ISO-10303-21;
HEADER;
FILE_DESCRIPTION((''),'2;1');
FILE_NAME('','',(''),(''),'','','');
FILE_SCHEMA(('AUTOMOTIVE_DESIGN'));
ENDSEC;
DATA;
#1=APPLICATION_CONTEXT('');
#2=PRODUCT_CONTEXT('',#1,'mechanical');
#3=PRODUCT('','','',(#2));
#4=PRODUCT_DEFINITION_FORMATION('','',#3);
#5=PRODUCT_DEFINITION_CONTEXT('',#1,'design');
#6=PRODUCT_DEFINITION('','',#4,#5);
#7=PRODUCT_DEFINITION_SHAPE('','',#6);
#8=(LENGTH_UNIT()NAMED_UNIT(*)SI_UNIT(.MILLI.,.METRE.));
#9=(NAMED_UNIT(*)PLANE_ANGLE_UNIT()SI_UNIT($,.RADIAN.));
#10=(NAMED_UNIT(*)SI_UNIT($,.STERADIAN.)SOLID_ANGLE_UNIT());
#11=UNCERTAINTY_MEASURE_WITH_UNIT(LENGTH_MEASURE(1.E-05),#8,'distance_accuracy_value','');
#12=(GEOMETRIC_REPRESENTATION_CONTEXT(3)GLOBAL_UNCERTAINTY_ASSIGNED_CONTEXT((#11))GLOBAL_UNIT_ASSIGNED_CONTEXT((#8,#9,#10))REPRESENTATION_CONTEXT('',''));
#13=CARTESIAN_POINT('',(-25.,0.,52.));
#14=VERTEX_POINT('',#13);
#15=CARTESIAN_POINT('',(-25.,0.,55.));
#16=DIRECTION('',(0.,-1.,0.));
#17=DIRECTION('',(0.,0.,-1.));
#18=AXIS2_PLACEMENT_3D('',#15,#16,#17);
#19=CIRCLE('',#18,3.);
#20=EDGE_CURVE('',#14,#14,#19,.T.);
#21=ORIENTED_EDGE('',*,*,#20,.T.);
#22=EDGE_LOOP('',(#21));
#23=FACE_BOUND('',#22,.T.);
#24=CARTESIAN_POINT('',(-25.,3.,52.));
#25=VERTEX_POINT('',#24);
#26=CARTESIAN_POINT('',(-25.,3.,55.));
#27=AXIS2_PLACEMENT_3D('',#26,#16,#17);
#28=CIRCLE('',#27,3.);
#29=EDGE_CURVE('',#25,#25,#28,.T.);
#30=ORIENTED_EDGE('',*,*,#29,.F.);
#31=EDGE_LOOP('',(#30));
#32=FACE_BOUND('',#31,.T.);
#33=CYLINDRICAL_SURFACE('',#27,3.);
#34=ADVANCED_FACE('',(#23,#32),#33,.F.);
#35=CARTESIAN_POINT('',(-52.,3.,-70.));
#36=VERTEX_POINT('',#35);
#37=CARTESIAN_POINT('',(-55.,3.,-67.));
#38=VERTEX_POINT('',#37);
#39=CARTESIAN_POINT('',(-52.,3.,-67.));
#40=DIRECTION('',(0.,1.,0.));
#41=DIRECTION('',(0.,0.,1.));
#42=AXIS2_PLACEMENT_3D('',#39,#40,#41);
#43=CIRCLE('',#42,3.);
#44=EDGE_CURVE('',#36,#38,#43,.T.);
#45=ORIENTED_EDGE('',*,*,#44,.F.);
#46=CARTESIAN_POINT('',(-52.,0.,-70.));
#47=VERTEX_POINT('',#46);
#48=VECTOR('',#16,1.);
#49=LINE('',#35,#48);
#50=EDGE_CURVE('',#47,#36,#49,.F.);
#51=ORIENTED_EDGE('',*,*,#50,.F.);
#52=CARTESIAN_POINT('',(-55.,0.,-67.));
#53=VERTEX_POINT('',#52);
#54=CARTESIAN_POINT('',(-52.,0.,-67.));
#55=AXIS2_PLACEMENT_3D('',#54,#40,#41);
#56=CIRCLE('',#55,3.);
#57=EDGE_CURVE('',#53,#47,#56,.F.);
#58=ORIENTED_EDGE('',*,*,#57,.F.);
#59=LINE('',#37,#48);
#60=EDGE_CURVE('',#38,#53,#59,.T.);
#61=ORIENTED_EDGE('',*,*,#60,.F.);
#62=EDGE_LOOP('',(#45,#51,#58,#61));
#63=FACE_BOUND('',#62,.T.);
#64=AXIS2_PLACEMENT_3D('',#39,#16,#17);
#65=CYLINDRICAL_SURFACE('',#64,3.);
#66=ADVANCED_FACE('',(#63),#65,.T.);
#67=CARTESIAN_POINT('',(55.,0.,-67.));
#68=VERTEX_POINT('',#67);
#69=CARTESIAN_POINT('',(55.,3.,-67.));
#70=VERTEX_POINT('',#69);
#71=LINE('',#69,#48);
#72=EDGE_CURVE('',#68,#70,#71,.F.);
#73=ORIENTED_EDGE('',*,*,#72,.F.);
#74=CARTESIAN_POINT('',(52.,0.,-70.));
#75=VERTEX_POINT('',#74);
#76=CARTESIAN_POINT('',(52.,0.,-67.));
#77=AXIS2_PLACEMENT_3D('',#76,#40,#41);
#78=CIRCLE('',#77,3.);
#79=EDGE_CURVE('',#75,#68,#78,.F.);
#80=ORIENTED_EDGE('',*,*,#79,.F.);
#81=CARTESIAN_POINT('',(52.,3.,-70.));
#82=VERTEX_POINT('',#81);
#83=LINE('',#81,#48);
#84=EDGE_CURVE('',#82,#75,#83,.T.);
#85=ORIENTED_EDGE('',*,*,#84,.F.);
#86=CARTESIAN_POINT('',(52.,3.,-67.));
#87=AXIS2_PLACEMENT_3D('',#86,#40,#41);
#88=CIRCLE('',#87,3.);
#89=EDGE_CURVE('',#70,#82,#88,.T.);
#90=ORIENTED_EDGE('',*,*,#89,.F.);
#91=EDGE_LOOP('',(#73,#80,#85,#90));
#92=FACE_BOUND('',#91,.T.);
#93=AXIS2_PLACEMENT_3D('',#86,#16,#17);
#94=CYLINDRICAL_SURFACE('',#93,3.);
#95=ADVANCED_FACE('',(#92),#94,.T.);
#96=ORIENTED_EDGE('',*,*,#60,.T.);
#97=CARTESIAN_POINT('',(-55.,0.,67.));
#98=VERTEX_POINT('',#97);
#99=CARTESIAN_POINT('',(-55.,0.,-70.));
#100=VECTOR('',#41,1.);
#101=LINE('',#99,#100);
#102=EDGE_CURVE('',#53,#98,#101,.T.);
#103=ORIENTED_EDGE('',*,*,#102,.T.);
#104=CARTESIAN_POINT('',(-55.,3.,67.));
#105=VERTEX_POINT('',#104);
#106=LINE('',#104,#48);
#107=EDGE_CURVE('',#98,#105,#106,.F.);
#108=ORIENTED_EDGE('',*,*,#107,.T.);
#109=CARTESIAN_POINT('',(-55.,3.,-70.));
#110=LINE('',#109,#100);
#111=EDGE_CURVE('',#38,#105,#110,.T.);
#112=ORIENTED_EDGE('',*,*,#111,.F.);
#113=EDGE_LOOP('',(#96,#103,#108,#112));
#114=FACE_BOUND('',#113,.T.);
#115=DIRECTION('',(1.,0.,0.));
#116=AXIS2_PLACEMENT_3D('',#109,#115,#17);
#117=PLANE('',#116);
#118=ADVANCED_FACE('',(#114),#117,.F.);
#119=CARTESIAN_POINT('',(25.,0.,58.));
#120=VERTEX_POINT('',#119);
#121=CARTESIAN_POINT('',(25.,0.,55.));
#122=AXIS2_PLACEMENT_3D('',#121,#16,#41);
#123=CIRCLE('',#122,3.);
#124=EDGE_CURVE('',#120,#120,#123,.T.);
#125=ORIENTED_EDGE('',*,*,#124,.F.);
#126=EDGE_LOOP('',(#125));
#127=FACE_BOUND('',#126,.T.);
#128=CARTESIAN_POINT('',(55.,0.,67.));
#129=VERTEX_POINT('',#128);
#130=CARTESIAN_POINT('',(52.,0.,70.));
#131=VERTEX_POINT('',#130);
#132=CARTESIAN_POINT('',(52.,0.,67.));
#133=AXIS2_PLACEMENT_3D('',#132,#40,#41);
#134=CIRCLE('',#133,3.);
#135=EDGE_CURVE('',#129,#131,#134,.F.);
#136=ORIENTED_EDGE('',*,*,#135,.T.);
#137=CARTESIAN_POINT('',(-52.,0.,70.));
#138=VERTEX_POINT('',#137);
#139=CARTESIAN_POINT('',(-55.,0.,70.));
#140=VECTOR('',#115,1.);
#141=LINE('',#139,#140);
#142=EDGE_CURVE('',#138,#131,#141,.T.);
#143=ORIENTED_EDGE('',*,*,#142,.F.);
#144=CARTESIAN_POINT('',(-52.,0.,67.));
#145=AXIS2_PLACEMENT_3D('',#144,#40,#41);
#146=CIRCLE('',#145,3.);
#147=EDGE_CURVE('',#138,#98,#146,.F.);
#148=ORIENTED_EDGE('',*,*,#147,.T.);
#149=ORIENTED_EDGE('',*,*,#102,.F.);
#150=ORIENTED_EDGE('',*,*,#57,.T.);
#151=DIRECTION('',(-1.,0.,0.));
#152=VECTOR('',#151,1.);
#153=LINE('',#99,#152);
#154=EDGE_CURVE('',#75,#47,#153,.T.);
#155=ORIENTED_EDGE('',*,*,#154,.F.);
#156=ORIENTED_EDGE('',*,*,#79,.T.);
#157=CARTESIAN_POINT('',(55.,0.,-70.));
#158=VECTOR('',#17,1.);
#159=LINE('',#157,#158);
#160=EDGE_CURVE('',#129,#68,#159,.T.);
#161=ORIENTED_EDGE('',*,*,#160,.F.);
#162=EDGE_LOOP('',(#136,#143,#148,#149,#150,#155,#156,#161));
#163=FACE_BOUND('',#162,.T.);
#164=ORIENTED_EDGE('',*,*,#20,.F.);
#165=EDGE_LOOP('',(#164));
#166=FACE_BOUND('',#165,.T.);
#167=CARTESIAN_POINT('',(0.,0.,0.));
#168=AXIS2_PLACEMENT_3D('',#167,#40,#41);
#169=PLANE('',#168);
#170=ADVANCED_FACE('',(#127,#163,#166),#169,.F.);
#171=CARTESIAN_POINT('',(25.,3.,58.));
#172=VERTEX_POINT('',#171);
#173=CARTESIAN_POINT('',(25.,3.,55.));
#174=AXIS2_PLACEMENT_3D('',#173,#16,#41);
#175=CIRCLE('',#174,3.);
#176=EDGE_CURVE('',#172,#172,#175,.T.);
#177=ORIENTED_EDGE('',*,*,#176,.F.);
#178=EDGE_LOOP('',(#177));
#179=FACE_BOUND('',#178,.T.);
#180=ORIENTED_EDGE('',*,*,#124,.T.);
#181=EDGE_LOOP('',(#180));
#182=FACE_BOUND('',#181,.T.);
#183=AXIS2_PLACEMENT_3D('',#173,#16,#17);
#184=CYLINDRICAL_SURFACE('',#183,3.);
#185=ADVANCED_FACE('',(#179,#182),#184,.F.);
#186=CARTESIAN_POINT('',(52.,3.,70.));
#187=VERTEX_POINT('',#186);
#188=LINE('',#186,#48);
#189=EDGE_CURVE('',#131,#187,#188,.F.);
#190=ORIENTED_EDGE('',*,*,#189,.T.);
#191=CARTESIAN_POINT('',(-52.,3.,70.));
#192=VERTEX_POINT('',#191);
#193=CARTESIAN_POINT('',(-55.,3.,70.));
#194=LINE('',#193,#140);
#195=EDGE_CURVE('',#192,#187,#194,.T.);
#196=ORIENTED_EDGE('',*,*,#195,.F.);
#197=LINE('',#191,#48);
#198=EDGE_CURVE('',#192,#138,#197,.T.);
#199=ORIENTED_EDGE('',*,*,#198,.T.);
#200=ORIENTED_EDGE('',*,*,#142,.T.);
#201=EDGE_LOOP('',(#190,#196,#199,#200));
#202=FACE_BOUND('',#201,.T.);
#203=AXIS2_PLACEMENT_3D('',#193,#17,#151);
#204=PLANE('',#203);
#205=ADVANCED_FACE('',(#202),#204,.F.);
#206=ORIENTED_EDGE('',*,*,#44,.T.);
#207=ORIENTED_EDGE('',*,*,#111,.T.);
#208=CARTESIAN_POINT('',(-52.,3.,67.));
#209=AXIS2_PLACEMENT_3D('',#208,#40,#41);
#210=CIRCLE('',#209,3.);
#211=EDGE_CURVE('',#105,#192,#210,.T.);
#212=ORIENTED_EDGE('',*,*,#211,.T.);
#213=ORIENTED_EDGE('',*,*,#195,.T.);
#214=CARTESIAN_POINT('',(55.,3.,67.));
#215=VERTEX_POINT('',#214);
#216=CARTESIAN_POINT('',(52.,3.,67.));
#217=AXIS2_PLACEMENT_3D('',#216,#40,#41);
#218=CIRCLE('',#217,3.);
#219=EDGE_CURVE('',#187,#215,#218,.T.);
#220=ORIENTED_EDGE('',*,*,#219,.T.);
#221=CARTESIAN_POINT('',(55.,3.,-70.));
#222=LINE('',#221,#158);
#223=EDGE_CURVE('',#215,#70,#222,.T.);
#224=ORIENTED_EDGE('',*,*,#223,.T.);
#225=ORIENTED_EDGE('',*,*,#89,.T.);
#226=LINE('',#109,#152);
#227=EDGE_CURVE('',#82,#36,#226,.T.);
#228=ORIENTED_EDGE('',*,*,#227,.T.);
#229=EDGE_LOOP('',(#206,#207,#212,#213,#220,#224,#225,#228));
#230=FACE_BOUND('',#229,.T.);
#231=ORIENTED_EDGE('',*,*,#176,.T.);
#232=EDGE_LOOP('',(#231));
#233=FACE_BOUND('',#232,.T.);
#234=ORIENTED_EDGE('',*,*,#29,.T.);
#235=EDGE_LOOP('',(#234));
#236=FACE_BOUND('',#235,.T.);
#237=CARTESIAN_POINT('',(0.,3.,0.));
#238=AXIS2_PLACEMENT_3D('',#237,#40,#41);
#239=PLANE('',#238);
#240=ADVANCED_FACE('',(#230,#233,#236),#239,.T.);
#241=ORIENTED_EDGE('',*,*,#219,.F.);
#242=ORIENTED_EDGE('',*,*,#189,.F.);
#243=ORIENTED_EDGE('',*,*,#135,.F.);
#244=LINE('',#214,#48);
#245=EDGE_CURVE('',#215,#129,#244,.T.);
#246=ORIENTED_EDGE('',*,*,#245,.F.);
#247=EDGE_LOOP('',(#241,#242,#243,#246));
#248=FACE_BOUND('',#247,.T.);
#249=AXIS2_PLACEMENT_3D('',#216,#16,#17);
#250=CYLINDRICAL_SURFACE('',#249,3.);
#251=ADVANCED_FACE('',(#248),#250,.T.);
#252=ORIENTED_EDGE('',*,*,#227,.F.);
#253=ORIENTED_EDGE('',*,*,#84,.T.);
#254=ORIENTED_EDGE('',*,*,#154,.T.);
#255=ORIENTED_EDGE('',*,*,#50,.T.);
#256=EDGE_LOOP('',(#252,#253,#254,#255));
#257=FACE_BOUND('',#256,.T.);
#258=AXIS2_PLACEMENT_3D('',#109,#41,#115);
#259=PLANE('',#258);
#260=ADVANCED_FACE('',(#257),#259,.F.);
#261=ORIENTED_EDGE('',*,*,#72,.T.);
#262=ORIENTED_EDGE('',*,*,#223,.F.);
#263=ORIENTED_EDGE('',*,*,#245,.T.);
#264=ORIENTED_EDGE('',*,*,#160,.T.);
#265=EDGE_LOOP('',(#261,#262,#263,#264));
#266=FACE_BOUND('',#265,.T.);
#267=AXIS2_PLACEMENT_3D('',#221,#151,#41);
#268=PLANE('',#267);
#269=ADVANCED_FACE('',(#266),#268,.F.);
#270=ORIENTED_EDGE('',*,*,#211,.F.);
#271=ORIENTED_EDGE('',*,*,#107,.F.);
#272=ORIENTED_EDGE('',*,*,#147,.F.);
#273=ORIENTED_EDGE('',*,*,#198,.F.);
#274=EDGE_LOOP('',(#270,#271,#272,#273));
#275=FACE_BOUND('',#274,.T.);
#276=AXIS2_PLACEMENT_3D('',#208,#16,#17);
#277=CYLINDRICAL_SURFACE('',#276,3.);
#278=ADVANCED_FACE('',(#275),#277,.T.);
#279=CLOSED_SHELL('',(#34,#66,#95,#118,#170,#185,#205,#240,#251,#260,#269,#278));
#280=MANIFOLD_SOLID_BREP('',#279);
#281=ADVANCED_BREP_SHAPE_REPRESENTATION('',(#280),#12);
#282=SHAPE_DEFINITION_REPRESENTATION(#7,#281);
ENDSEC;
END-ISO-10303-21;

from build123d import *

# Parameters (mm, degrees)
SKETCH_1_W          = 110
SKETCH_1_H          = 140
EXTRUDE_1_DEPTH     = 3
SKETCH_2_R          = 3
CUT_EXTRUDE_1_DEPTH = 3
FILLET_1_R          = 3


with BuildPart() as part:
    # 草图1 → 凸台-拉伸1 (new body)
    with BuildSketch(Plane(origin=(0, 0, 0), x_dir=(1, 0, 0), z_dir=(0, 1, 0))):
        Rectangle(SKETCH_1_W, SKETCH_1_H)
    extrude(amount=EXTRUDE_1_DEPTH)

    # 草图2 → 切除-拉伸1 (cut)
    with BuildSketch(Plane.XZ):
        with Locations(Location((-25, 55, 0), (0, 0, 270))):
            Circle(SKETCH_2_R)
        with Locations(Location((25, 55, 0), (0, 0, 90))):
            Circle(SKETCH_2_R)
    extrude(amount=-CUT_EXTRUDE_1_DEPTH, mode=Mode.SUBTRACT)

    # 圆角1
    fillet_1_edges = [part.edges().sort_by_distance(p)[0] for p in [
        (55, 1.5, 70),
        (-55, 1.5, 70),
        (-55, 1.5, -70),
        (55, 1.5, -70),
    ]]
    fillet(fillet_1_edges, radius=FILLET_1_R)


solid = part.part
